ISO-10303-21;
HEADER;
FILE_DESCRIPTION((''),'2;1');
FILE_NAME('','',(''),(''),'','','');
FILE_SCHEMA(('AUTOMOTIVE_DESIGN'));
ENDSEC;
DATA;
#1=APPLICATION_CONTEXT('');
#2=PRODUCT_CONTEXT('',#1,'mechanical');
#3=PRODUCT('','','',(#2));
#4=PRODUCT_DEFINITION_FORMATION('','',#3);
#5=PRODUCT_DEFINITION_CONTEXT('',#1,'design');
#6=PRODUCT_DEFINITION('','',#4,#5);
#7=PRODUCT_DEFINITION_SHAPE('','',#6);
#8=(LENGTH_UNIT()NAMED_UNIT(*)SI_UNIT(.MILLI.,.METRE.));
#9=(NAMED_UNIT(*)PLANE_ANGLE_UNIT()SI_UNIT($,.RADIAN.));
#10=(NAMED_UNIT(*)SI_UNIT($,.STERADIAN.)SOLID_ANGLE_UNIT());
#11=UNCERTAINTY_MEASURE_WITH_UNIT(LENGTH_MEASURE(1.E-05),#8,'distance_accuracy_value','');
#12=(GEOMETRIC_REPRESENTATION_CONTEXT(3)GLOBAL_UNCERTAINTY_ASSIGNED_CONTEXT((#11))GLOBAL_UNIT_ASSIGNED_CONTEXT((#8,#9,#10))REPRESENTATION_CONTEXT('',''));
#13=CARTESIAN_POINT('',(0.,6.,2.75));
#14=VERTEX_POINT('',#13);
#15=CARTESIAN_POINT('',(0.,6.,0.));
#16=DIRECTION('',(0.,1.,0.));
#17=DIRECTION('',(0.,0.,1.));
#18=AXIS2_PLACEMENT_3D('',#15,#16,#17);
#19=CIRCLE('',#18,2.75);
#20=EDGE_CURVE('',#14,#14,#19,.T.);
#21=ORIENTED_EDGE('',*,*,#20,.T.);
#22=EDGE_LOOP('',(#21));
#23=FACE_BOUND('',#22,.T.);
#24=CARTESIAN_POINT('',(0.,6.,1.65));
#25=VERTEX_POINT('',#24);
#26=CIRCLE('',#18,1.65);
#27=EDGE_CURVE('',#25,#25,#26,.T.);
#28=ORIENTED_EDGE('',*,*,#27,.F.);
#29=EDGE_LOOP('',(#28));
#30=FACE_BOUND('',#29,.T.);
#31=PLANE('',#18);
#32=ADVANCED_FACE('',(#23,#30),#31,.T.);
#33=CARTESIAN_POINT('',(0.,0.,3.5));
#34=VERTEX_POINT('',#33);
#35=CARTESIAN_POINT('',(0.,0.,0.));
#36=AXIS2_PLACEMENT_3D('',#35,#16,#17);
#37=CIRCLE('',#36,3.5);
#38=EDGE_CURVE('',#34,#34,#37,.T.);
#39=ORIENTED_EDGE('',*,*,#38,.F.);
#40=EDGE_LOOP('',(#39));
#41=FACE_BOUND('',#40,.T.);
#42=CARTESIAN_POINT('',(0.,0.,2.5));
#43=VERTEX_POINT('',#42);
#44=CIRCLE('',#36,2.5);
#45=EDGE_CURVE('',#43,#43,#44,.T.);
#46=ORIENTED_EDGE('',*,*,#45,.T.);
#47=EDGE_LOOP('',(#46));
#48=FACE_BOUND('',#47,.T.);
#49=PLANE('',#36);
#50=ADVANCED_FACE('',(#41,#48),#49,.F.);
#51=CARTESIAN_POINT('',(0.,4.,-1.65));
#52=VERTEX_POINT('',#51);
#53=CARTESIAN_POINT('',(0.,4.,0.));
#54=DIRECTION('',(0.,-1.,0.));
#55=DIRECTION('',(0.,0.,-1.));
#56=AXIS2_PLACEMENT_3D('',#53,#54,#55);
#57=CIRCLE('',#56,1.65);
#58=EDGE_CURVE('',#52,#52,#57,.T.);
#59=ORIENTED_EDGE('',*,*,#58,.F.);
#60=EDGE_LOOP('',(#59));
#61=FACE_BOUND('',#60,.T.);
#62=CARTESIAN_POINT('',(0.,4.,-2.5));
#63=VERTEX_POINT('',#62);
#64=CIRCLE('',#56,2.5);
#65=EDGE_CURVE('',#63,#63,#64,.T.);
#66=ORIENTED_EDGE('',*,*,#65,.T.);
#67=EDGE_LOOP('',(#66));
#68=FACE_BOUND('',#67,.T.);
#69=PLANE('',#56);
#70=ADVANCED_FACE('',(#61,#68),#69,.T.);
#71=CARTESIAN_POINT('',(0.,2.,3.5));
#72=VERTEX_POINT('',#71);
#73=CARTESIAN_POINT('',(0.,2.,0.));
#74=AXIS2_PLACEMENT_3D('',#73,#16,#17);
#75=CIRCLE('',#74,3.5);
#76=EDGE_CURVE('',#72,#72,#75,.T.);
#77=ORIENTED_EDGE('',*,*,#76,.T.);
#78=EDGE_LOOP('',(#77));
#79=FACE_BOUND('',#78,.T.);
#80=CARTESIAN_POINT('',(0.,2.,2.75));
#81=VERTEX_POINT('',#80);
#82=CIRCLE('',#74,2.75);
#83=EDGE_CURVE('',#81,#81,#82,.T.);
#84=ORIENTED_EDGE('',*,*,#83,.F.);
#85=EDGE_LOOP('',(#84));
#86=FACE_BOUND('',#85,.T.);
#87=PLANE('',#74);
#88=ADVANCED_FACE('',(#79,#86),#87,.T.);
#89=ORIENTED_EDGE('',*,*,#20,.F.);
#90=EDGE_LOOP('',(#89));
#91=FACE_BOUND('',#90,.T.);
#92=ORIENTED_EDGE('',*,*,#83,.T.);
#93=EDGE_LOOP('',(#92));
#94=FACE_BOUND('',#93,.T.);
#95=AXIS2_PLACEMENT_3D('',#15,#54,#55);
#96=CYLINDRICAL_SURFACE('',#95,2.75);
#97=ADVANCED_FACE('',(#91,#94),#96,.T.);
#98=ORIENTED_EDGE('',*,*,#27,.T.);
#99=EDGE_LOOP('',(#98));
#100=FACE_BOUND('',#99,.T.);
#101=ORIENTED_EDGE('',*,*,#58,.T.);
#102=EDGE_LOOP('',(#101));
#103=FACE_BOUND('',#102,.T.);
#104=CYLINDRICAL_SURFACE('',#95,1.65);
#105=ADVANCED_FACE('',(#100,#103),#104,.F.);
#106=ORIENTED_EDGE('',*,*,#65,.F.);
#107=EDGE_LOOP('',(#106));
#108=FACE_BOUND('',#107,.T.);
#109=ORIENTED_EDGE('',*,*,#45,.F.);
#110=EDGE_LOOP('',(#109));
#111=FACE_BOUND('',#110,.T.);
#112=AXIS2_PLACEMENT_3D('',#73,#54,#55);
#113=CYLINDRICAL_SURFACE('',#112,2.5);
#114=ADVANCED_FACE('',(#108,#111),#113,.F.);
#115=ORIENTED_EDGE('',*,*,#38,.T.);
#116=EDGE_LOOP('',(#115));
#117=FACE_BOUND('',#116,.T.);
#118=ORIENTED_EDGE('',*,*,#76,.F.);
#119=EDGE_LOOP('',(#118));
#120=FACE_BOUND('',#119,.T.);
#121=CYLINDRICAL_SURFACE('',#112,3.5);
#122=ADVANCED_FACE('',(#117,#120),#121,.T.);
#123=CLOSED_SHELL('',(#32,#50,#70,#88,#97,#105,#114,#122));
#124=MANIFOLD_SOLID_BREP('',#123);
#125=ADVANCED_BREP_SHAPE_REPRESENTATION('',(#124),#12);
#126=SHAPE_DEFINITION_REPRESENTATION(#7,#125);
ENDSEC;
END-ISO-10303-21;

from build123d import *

# Parameters (mm, degrees)
SKETCH3_R           = 3.5
SKETCH3_R_2         = 2.5
BOSS_EXTRUDE3_DEPTH = 2
SKETCH4_R           = 2.75
SKETCH4_R_2         = 1.65
BOSS_EXTRUDE4_DEPTH = 4
SKETCH5_R           = 2.5
CUT_EXTRUDE1_DEPTH  = 2


with BuildPart() as part:
    # Sketch3 → Boss-Extrude3 (new body)
    with BuildSketch(Plane(origin=(0, 0, 0), x_dir=(1, 0, 0), z_dir=(0, 1, 0))):
        with Locations(Location((0, 0, 0), (0, 0, 270))):
            Circle(SKETCH3_R)
        with Locations(Location((0, 0, 0), (0, 0, 270))):
            Circle(SKETCH3_R_2, mode=Mode.SUBTRACT)
    extrude(amount=BOSS_EXTRUDE3_DEPTH)

    # Sketch4 → Boss-Extrude4 (add)
    with BuildSketch(Plane(origin=(0, 2, 0), x_dir=(1, 0, 0), z_dir=(0, 1, 0))):
        with Locations(Location((0, 0, 0), (0, 0, 270))):
            Circle(SKETCH4_R)
        with Locations(Location((0, 0, 0), (0, 0, 270))):
            Circle(SKETCH4_R_2, mode=Mode.SUBTRACT)
    extrude(amount=BOSS_EXTRUDE4_DEPTH)

    # Sketch5 → Cut-Extrude1 (cut)
    with BuildSketch(Plane.XZ.offset(-2)):
        with Locations(Location((0, 0, 0), (0, 0, 270))):
            Circle(SKETCH5_R)
    extrude(amount=-CUT_EXTRUDE1_DEPTH, mode=Mode.SUBTRACT)


solid = part.part
